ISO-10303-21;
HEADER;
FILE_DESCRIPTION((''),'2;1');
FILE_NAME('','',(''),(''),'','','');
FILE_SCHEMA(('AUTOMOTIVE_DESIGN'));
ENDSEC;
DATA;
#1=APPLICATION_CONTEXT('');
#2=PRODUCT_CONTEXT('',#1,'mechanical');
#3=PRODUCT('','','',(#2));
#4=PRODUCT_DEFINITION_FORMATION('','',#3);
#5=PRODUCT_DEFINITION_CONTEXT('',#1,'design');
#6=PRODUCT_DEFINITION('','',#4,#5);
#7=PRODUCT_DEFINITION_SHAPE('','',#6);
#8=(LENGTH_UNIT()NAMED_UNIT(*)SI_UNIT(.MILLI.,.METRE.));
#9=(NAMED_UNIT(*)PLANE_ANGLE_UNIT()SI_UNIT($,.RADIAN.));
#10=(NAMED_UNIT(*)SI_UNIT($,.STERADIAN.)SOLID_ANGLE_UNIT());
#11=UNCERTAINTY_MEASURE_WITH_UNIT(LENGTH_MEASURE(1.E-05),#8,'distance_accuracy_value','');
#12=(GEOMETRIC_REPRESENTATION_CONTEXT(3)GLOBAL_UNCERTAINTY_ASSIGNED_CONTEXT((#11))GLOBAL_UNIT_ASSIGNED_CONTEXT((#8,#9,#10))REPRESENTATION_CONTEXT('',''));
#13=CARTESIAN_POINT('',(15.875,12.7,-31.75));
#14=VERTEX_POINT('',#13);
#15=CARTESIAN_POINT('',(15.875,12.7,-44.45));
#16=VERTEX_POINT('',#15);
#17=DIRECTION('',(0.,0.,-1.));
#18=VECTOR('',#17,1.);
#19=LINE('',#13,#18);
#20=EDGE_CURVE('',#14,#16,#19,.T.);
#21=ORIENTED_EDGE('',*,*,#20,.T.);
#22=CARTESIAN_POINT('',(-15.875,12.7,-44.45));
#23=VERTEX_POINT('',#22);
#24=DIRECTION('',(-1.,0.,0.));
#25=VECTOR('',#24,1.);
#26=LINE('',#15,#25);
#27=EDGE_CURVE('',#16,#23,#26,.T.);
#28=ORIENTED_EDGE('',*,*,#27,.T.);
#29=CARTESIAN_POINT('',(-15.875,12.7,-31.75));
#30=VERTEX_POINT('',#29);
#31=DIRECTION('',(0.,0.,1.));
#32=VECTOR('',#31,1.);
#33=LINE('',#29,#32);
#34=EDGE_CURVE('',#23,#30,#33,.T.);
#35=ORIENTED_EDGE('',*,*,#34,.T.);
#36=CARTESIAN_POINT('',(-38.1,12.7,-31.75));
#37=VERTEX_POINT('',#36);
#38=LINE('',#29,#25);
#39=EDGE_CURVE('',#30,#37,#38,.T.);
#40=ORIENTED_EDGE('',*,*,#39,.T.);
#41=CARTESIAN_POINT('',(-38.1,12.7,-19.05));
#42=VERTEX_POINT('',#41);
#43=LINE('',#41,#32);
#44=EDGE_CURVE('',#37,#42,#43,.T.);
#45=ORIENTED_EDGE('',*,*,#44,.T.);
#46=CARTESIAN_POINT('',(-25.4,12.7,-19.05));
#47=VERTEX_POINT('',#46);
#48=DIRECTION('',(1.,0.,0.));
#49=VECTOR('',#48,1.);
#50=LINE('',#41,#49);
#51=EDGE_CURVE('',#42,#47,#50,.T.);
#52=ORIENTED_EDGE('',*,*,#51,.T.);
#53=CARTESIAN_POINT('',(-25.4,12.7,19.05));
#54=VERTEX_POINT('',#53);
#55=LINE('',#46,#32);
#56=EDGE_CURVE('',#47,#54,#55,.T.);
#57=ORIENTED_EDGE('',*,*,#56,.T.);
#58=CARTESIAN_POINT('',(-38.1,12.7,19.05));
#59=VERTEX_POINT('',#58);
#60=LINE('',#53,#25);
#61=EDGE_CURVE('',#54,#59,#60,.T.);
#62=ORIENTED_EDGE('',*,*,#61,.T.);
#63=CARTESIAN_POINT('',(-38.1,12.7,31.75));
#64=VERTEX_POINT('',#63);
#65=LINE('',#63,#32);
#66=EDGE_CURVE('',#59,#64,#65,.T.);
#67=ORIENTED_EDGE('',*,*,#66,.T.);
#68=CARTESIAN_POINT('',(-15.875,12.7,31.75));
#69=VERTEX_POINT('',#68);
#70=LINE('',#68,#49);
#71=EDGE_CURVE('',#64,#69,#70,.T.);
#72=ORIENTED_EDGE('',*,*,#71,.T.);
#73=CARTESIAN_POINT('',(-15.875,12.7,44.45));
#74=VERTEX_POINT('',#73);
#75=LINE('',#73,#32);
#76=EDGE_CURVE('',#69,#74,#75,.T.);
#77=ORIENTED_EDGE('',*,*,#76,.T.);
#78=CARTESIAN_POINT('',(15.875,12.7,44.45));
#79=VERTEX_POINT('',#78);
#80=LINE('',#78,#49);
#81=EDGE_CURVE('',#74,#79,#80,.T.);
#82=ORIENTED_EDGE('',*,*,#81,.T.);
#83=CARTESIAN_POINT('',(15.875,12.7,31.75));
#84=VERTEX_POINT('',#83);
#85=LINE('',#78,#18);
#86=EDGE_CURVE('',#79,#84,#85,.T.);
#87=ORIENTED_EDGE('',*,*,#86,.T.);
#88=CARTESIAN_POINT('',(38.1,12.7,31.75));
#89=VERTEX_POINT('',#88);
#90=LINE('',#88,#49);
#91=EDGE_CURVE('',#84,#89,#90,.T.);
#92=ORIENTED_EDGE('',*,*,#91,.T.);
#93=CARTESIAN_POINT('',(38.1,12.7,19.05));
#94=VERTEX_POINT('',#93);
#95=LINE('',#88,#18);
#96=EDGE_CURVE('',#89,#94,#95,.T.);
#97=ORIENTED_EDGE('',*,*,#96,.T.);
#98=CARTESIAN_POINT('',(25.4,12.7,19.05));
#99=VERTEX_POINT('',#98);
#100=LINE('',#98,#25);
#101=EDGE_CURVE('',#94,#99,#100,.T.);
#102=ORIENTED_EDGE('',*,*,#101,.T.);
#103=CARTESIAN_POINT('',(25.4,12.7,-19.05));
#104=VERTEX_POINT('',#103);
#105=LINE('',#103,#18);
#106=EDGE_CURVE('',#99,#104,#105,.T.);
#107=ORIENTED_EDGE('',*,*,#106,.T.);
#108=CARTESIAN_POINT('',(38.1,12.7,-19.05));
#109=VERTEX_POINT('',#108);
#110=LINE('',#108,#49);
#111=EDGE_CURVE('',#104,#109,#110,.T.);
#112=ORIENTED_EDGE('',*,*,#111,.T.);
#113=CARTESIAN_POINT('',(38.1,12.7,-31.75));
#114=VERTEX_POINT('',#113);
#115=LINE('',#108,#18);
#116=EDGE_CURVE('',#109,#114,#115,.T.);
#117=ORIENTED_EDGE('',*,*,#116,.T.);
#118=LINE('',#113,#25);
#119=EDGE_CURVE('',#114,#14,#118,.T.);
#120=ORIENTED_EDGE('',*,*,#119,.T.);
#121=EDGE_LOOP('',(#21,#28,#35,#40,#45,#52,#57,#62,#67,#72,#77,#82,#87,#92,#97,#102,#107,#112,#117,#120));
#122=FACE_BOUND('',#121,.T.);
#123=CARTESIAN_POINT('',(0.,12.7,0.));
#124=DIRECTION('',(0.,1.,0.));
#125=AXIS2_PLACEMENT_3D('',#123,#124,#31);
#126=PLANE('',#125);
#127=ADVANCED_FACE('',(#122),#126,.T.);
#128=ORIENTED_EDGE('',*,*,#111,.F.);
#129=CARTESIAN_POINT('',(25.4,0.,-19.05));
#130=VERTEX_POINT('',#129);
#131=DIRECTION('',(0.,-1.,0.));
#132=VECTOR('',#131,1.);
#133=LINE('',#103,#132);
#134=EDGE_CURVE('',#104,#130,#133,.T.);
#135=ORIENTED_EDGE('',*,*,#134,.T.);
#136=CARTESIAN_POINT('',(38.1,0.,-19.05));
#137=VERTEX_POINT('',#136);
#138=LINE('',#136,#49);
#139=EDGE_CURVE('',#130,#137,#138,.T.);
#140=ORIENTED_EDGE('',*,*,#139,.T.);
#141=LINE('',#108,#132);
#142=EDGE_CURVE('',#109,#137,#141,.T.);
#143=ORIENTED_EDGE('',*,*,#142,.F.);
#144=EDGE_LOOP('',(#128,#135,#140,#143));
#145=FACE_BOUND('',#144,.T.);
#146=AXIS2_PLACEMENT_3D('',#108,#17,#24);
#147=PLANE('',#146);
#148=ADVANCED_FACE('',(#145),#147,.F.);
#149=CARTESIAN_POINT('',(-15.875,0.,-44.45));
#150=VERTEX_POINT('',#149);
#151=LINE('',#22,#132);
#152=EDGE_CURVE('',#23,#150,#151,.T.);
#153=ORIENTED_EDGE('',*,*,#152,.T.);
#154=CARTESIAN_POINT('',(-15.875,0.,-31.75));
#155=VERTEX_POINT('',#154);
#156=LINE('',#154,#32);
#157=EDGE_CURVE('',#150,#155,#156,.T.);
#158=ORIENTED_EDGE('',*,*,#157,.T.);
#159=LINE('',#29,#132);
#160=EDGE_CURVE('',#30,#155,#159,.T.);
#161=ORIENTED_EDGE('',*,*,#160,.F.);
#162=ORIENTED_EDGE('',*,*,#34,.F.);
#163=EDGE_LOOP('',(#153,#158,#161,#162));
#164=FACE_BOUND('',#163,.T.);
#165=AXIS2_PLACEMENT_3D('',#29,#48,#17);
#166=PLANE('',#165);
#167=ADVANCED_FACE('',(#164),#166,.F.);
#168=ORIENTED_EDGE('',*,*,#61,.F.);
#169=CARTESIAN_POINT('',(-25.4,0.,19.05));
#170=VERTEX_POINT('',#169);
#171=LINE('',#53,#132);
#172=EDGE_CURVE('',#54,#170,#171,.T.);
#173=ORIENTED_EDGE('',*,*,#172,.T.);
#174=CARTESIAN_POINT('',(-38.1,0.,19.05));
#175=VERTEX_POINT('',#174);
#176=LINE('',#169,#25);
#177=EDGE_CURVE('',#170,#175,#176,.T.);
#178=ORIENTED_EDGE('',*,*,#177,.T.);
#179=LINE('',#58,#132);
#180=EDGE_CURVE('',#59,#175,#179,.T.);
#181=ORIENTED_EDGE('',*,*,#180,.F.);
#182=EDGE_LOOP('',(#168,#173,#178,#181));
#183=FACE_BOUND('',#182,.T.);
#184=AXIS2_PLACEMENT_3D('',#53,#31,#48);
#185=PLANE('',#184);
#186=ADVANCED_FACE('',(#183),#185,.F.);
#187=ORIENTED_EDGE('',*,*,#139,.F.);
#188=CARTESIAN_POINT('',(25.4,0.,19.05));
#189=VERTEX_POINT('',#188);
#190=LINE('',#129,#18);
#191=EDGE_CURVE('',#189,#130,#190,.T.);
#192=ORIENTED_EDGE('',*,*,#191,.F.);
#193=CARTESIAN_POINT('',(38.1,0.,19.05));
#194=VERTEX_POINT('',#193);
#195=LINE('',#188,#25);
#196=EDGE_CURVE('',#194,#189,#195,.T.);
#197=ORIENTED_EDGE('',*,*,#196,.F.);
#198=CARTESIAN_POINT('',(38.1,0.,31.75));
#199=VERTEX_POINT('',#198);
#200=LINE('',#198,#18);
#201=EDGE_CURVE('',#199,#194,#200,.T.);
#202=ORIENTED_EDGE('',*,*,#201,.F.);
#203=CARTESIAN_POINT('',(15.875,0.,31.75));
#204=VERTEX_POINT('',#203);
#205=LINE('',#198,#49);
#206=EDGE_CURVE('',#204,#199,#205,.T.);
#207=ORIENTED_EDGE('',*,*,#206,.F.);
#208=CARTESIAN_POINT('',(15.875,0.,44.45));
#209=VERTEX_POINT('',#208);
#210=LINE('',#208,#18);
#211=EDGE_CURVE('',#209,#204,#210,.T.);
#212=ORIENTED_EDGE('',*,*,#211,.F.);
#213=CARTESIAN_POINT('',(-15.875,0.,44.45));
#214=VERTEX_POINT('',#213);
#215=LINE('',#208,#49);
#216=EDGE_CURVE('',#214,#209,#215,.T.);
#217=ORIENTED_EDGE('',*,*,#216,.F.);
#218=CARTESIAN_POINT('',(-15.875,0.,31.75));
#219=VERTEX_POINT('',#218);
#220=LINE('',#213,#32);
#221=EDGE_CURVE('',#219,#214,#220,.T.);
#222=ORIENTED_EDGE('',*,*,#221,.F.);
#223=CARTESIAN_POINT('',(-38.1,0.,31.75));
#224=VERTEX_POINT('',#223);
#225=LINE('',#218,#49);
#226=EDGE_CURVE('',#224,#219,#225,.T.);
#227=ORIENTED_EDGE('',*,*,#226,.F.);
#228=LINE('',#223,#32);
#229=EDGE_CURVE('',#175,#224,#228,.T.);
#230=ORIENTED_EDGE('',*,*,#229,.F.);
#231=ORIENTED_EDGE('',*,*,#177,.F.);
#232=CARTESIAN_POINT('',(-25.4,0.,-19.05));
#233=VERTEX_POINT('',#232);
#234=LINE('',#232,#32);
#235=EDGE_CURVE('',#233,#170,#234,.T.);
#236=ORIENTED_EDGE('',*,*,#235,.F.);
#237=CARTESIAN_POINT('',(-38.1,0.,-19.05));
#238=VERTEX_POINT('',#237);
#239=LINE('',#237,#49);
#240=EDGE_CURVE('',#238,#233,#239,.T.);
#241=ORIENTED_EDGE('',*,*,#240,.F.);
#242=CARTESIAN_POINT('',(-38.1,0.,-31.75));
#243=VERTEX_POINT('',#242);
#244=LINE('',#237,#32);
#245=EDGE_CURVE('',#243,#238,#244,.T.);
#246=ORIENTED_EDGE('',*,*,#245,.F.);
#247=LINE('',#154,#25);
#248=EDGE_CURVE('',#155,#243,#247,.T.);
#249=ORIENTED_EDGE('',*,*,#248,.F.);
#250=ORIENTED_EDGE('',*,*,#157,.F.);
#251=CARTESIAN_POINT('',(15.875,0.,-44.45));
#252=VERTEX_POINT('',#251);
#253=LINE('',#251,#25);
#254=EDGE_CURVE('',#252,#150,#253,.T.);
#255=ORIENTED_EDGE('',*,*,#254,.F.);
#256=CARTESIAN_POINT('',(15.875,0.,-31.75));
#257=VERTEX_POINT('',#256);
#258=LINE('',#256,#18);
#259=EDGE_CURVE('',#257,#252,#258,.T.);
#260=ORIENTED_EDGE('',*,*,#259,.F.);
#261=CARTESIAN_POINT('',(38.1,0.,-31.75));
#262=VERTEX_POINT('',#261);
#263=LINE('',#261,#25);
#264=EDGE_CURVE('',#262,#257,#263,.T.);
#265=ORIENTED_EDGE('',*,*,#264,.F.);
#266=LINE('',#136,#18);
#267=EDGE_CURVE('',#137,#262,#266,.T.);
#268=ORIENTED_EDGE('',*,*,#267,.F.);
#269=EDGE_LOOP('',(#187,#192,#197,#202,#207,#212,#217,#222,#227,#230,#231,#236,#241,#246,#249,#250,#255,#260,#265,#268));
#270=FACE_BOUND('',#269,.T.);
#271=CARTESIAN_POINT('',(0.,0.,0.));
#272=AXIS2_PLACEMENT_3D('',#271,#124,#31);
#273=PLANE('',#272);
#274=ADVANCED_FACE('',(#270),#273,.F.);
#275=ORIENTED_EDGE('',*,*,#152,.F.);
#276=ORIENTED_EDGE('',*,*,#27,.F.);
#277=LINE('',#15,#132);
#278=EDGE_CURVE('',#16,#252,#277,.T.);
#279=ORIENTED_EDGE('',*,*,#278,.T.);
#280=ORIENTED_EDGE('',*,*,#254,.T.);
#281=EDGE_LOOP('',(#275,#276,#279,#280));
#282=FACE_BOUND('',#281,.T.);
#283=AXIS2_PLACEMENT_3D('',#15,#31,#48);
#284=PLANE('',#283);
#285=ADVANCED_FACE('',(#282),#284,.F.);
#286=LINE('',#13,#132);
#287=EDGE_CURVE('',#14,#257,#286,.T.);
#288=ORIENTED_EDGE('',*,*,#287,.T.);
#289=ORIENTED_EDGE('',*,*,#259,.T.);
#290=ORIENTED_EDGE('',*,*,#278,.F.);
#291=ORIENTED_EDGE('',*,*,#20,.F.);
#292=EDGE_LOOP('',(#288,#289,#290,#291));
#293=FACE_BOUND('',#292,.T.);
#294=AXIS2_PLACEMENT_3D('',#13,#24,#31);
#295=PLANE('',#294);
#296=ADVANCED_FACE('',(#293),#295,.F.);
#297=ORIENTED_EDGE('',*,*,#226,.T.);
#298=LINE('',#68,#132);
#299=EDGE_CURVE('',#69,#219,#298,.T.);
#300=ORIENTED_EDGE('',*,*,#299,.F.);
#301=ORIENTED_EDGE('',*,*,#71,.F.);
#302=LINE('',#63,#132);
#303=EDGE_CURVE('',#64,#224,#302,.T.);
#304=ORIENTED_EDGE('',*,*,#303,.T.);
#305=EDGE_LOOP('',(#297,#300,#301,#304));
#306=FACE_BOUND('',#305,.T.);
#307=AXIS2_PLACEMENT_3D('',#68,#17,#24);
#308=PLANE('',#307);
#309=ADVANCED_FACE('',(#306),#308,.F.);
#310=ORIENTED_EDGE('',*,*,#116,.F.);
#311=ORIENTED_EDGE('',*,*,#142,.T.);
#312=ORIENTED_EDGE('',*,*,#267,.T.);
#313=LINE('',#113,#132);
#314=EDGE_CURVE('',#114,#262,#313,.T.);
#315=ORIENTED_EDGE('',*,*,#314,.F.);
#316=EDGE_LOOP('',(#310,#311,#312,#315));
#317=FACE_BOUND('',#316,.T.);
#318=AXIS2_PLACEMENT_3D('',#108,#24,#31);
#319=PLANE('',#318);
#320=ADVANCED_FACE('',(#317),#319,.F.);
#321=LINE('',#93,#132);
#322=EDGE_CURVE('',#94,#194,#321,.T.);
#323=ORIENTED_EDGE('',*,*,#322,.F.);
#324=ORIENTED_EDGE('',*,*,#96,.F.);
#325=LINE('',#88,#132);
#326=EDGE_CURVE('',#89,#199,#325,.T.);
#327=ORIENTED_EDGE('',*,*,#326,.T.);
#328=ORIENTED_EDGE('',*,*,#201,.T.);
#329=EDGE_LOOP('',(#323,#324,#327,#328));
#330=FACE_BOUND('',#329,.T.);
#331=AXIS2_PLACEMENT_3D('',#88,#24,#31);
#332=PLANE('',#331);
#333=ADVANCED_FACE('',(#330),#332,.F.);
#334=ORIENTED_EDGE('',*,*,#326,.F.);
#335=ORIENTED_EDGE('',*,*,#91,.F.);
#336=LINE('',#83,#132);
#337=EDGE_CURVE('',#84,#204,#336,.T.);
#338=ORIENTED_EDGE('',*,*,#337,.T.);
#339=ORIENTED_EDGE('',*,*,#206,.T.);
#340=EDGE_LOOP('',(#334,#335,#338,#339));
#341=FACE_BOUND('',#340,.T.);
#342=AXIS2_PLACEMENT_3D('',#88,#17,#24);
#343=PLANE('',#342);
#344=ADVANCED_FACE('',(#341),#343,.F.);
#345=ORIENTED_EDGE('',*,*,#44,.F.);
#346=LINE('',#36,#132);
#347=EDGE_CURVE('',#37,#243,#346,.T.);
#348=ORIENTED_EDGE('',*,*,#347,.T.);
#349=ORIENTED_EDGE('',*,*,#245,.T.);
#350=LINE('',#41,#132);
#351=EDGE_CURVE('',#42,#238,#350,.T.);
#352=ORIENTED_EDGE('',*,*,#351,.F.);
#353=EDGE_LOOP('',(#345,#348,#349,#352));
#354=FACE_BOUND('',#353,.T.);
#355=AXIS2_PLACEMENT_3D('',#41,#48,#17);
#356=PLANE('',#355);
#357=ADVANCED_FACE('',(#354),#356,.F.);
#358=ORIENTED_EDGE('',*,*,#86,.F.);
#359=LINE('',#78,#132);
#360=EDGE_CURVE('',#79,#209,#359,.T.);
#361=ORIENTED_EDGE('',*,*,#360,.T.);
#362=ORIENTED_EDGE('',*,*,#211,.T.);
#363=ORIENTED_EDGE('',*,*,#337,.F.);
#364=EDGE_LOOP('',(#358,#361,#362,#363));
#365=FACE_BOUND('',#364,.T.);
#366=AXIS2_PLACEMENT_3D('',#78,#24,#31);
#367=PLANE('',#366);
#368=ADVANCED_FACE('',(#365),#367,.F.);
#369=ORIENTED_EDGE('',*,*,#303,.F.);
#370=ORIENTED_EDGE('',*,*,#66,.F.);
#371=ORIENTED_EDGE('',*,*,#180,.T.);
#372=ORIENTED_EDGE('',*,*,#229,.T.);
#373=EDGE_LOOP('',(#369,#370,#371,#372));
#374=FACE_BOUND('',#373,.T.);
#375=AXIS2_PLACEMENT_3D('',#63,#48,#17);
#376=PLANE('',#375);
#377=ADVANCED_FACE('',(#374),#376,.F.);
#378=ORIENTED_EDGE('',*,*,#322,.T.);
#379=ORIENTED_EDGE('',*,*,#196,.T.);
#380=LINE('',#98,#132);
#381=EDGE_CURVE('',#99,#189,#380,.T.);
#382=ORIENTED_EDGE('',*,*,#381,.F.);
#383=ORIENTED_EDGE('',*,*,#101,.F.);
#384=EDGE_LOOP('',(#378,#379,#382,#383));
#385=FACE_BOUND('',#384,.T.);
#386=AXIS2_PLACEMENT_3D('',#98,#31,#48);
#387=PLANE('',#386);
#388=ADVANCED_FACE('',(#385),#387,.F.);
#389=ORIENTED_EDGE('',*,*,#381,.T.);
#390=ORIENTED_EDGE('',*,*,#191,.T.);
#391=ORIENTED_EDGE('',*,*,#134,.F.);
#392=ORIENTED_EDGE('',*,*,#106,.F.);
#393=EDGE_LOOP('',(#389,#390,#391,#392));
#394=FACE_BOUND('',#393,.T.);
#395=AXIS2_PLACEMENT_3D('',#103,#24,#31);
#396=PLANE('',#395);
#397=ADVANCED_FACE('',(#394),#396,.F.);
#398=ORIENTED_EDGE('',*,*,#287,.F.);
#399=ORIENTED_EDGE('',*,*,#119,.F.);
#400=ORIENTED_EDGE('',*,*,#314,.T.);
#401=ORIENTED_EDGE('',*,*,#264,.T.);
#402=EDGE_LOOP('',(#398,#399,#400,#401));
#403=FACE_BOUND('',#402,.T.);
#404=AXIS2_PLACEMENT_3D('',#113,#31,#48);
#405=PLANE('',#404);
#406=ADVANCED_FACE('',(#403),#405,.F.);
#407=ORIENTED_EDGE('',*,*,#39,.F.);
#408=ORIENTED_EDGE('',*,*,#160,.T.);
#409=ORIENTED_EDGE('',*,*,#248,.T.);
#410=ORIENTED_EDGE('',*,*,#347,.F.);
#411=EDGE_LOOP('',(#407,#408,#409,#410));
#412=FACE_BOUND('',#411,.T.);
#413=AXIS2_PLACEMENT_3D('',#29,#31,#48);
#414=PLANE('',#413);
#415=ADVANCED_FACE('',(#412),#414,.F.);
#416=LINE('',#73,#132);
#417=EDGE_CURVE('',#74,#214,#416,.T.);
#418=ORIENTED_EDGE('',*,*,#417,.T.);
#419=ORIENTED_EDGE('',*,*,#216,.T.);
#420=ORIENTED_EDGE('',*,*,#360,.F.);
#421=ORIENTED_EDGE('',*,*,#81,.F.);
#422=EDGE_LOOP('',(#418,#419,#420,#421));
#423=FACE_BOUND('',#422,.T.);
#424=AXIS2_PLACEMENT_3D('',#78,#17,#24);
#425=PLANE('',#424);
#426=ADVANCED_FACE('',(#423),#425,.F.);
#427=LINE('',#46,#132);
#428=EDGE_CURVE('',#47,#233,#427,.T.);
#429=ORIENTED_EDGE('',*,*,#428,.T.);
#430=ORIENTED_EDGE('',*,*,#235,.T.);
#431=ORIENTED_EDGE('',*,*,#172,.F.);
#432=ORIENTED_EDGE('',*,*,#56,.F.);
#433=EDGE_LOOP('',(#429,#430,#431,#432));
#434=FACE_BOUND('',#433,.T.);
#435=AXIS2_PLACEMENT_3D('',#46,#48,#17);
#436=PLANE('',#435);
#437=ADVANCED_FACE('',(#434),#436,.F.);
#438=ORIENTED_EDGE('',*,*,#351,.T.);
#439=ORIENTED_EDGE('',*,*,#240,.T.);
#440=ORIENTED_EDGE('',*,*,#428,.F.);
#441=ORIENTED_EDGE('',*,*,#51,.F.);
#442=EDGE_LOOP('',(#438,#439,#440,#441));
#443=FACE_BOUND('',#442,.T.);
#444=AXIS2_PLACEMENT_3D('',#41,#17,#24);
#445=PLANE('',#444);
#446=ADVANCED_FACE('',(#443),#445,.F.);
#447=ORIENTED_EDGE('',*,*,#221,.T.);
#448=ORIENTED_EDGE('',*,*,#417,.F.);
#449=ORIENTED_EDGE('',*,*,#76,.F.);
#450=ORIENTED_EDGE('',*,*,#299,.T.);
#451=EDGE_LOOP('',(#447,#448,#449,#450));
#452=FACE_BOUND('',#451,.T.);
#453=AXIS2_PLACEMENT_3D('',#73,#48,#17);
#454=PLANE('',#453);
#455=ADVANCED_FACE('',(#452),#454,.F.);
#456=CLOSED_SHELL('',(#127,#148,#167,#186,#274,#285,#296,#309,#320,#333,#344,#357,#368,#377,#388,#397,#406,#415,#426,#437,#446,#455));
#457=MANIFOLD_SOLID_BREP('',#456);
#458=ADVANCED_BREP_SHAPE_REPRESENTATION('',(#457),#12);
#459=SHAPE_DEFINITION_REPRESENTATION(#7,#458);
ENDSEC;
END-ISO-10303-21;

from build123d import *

# Parameters (mm, degrees)
BOSS_EXTRUDE2_DEPTH = 12.7


with BuildPart() as part:
    # Sketch1 → Boss-Extrude2 (new body)
    with BuildSketch(Plane(origin=(0, 0, 0), x_dir=(1, 0, 0), z_dir=(0, 1, 0))):
        Polygon((-15.875, -31.75), (-38.1, -31.75), (-38.1, -19.05), (-25.4, -19.05), (-25.4, 19.05), (-38.1, 19.05), (-38.1, 31.75), (-15.875, 31.75), (-15.875, 44.45), (15.875, 44.45), (15.875, 31.75), (38.1, 31.75), (38.1, 19.05), (25.4, 19.05), (25.4, -19.05), (38.1, -19.05), (38.1, -31.75), (15.875, -31.75), (15.875, -44.45), (-15.875, -44.45), align=None)
    extrude(amount=BOSS_EXTRUDE2_DEPTH)


solid = part.part
